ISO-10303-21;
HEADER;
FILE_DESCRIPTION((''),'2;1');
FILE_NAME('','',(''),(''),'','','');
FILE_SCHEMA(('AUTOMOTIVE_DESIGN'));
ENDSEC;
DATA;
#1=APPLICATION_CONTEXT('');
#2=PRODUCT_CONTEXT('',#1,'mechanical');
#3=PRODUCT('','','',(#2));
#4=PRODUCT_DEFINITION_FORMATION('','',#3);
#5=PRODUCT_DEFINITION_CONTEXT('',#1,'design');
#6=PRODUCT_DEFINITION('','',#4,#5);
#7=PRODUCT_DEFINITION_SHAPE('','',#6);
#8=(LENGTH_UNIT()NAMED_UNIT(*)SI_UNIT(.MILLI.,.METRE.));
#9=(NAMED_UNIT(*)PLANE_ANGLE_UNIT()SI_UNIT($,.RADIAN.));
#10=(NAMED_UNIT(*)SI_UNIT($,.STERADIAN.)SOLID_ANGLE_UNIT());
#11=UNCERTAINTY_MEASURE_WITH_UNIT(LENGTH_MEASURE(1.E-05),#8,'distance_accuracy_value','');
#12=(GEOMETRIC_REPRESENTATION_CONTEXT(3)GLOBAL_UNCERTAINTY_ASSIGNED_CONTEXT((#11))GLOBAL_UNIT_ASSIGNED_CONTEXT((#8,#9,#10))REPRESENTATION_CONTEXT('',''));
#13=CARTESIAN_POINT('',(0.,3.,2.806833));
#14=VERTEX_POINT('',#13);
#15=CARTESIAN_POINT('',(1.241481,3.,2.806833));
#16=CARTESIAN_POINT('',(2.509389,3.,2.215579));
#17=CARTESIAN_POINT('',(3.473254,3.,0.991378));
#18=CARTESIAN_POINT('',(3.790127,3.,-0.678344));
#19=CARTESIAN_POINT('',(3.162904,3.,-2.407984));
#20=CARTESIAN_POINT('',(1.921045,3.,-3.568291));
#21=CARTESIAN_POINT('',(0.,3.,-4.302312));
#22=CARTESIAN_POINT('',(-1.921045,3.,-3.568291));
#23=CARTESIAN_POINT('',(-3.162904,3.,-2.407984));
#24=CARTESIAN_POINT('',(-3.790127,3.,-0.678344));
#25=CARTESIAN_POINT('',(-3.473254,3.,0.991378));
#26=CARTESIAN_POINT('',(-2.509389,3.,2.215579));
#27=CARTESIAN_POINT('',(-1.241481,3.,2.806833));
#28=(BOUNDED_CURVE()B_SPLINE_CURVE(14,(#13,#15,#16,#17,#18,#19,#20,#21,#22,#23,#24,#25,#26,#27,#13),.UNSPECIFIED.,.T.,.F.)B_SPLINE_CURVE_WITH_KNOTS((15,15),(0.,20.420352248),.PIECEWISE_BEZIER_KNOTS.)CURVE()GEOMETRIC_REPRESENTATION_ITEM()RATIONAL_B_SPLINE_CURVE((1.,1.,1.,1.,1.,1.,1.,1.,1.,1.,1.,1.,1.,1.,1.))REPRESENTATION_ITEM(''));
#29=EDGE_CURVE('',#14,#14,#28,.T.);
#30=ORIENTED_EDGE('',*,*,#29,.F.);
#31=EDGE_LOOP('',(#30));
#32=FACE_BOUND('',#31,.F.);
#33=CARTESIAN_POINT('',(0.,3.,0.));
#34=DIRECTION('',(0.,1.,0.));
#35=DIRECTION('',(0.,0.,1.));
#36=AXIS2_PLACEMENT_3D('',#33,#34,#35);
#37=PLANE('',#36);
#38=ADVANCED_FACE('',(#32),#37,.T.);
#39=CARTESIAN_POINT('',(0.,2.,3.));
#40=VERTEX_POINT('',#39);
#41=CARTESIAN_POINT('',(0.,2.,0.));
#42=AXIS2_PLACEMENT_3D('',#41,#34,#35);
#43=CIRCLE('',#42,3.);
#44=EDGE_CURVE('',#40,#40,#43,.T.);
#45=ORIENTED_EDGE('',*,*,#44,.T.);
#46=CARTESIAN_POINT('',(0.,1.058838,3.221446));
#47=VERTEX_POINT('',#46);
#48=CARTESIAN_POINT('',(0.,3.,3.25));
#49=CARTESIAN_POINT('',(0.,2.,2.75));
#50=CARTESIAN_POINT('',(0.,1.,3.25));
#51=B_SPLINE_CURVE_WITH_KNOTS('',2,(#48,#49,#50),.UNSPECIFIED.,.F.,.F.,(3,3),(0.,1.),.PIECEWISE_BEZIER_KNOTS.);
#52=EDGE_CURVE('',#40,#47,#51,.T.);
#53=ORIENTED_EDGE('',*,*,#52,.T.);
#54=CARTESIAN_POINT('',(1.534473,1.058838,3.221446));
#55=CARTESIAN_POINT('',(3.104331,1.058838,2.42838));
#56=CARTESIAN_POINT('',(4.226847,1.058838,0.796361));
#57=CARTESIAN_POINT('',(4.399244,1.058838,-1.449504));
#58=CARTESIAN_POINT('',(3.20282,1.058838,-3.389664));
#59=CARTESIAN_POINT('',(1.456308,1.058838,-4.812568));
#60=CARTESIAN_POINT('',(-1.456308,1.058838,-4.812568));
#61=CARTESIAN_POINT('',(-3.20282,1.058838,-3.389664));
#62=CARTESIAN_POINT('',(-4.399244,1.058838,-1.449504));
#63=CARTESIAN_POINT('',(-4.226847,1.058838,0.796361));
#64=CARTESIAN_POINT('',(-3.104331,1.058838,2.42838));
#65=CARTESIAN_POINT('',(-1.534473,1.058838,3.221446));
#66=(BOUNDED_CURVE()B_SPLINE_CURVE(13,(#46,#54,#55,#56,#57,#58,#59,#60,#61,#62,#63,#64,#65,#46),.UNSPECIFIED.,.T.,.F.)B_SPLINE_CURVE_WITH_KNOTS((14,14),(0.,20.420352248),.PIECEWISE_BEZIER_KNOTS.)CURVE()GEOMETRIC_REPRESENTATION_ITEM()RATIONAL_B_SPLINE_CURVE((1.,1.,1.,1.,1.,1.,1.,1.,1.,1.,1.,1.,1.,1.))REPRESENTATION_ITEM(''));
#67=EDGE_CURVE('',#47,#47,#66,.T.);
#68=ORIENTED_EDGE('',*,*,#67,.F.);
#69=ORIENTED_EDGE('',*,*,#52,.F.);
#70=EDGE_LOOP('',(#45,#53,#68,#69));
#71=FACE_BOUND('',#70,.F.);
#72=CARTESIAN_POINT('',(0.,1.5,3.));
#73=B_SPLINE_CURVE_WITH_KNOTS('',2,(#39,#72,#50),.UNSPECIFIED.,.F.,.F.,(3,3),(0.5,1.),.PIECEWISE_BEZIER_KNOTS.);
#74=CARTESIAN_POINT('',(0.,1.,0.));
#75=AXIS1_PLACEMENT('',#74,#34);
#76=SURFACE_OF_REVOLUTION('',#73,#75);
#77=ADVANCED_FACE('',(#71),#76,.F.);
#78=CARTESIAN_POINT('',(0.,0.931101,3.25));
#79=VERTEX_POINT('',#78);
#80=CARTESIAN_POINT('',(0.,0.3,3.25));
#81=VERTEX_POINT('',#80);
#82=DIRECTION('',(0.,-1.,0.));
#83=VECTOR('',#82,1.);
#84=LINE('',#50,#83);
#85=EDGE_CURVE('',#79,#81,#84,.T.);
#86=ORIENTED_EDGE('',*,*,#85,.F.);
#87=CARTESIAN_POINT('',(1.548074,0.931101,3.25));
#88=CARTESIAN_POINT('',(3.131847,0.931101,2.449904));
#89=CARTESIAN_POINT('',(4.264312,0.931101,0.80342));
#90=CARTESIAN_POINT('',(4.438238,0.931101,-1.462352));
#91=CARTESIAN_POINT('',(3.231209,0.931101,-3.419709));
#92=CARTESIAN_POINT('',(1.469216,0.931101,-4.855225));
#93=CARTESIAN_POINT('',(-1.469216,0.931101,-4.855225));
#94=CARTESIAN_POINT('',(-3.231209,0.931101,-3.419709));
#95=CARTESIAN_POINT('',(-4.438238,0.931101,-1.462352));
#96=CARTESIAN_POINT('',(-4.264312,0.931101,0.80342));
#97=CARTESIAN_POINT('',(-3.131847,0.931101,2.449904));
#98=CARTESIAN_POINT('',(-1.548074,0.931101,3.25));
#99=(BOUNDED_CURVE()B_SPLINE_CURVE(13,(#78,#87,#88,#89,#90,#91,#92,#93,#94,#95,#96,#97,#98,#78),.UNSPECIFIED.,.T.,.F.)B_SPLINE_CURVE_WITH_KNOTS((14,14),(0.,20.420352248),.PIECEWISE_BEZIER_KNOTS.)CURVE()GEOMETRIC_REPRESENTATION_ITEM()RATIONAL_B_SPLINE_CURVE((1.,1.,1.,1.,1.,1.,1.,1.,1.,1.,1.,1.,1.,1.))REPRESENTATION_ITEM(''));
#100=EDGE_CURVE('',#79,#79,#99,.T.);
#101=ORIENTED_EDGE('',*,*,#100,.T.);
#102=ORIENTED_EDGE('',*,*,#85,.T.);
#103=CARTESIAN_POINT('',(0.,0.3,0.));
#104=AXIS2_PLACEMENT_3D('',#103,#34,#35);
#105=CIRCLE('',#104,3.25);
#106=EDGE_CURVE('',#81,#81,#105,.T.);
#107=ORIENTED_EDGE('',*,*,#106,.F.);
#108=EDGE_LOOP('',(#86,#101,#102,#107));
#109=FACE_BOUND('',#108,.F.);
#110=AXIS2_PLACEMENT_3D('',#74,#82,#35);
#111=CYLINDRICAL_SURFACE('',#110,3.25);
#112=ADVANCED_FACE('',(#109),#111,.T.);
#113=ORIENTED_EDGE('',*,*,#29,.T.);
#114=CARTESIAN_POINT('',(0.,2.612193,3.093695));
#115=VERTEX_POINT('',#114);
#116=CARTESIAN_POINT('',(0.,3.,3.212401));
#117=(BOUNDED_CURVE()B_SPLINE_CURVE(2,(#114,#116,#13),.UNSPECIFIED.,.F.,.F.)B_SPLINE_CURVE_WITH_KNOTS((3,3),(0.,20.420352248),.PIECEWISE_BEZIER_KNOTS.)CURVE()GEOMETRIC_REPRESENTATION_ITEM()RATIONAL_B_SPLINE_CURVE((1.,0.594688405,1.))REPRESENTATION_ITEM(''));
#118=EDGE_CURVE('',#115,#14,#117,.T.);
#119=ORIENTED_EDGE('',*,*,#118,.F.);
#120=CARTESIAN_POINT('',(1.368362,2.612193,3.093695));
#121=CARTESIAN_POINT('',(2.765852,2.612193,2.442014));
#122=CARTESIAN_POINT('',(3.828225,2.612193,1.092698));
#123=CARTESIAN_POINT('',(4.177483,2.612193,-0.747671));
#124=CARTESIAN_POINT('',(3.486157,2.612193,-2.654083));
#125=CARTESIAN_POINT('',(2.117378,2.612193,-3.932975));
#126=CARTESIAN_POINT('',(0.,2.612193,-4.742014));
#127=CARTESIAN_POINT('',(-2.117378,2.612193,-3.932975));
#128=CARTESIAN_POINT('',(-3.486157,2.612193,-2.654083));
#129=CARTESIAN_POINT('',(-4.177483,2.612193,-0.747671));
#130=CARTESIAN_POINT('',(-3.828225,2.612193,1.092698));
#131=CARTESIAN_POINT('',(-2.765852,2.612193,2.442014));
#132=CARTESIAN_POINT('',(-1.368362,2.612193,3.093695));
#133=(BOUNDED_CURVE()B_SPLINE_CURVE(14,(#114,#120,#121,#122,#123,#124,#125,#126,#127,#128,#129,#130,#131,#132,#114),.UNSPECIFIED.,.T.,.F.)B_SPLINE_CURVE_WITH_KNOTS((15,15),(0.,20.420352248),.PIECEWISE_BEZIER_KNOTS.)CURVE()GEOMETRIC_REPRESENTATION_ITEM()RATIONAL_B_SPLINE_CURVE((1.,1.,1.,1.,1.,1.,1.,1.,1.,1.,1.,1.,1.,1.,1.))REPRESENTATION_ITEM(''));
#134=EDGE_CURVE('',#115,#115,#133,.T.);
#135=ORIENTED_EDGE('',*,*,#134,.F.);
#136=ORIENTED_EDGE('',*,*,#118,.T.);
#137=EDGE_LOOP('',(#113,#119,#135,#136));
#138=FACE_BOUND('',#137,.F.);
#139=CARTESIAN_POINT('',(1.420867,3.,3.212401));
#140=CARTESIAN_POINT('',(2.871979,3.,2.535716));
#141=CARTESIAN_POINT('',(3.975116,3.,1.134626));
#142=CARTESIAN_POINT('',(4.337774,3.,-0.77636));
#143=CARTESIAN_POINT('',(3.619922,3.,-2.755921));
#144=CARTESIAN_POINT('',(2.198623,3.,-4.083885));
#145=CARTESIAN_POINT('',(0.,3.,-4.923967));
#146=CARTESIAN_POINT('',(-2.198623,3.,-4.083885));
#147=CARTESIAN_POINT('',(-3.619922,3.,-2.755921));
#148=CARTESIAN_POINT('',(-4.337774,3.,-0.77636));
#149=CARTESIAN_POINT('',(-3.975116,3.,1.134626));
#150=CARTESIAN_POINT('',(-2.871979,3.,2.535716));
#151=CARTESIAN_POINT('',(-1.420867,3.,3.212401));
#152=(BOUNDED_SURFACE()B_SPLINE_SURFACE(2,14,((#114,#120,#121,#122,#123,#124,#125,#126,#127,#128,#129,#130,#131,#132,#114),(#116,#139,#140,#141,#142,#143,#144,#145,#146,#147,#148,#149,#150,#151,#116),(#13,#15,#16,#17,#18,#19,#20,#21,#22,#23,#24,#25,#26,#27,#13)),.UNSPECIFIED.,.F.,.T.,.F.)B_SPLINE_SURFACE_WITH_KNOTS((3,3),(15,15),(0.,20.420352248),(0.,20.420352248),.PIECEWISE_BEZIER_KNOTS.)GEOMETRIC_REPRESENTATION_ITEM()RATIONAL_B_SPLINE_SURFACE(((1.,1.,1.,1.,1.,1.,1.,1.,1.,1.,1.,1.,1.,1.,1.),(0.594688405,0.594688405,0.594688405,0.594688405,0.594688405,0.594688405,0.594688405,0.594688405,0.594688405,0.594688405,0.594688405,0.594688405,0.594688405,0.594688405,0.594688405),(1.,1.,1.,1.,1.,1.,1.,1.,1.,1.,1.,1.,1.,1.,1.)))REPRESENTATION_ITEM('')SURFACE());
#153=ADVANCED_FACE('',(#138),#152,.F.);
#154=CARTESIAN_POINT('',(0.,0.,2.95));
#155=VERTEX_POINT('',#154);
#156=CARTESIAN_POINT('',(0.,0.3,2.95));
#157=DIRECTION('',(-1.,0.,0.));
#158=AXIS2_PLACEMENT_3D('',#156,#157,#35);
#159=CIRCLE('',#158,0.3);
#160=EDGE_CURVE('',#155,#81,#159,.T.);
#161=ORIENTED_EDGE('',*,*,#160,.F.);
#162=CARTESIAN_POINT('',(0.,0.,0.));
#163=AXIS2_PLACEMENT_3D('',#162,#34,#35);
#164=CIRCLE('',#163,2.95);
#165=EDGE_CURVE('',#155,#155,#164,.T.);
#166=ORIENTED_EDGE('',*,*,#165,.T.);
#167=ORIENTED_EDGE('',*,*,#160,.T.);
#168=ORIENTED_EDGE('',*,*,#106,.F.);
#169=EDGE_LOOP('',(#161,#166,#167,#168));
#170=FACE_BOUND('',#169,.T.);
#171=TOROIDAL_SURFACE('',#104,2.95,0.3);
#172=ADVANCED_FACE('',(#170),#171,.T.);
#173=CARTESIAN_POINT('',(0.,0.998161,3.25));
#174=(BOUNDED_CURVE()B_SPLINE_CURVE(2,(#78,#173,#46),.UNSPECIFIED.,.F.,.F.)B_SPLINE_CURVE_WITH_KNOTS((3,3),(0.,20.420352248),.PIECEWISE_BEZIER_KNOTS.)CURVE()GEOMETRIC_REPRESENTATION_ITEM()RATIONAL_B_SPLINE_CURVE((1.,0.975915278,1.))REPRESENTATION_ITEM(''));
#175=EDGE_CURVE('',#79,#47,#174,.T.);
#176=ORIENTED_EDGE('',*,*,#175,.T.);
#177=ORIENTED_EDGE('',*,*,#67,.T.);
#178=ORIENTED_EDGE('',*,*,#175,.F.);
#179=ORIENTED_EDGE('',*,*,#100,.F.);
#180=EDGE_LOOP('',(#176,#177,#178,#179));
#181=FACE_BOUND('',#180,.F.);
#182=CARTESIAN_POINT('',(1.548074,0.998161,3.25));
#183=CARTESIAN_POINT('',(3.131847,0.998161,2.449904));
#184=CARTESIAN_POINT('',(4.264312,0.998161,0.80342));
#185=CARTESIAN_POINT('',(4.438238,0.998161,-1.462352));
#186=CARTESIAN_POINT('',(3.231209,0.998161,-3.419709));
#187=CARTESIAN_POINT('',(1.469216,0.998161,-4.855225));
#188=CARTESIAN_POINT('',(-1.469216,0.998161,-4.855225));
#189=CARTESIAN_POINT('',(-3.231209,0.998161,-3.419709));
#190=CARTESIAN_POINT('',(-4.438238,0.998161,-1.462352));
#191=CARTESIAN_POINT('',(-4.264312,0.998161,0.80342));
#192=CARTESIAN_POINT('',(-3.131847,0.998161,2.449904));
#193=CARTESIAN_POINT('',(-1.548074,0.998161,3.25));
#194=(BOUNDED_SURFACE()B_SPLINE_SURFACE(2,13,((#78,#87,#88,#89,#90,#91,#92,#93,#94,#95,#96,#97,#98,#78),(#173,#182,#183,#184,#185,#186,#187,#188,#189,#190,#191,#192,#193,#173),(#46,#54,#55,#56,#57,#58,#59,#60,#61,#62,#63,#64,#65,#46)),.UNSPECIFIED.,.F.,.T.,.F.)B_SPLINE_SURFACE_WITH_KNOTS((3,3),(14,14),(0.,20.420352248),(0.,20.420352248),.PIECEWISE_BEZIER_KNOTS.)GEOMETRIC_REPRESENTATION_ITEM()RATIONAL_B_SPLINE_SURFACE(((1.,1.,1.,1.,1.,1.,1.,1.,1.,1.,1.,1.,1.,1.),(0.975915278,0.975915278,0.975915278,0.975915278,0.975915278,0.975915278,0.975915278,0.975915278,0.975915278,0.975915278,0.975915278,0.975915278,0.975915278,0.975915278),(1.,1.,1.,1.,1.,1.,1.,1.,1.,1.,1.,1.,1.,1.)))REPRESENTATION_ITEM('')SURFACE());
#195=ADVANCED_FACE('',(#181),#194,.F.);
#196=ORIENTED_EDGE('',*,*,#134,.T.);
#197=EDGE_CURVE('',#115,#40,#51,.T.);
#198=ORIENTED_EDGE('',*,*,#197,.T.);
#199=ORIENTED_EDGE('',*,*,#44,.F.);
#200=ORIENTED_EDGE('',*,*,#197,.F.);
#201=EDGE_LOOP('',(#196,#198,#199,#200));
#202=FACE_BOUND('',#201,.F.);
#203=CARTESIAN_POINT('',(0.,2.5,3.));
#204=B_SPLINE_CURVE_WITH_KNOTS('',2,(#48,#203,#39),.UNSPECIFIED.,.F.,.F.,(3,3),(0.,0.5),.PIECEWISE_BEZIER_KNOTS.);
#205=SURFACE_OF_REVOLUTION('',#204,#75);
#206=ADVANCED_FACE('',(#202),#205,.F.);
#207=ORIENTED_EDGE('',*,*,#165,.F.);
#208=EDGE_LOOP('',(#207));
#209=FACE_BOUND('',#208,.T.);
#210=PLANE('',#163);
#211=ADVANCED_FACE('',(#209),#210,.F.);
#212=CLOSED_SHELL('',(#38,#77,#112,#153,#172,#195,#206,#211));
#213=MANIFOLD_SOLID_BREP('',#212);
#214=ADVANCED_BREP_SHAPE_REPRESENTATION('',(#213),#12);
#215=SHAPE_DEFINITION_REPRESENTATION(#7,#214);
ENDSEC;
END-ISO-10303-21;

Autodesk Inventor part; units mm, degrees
ref_plane "YZ Plane" through (0, 0, 0) normal (1, 0, 0) x (0, 1, 0)
ref_plane "XZ Plane" through (0, 0, 0) normal (0, 1, 0) x (-1, 0, 0)
ref_plane "XY Plane" through (0, 0, 0) normal (0, 0, 1) x (1, 0, 0)
sketch "Эскиз1" plane through (0, 0, 0) normal (1, 0, 0) x (0, 1, 0)
  line L0 (0, 0) -> (3, 0)
  line L1 (3, -3.25) -> (3, 3.25)
  line L2 (0, -3.25) -> (0, 3.25)
  line L3 (0, 0) -> (1, 0)
  line L4 (1, 0) -> (1, -3.25)
  line L5 (1, -3.25) -> (0, -3.25)
  line L6 (1, 0) -> (1, 3.25)
  line L7 (1, 3.25) -> (0, 3.25)
  line L8 (1, 0) -> (3, 0)
  line L9 (2, -3) -> (2, 3)
  spline S0 degree 2 poles (3, -3.25) (2, -2.75) (1, -3.25) knots 0 0 0 1 1 1
  spline S1 degree 2 poles (3, 3.25) (2, 2.75) (1, 3.25) knots 0 0 0 1 1 1
  point P0 (2, 0)
  dimension "d0" = 3
  dimension "d1" = 6.5
  dimension "d2" = 6.5
  dimension "d3" = 1
  dimension "d4" = 6
revolve "Вращение1" add sketch "Эскиз1" angle 360 about axis through (0, 1, 0) along (0, 1, 0) contours L2 L7 L6 L0 | L6 S1 L9 L0 | L9 S1 L1 L0
fillet "Сопряжение1" radius 0.3 3 edges at (0, 3, -3.25) (0, 1, -3.25) (0, 0, -3.25)
properties part number "roll"
